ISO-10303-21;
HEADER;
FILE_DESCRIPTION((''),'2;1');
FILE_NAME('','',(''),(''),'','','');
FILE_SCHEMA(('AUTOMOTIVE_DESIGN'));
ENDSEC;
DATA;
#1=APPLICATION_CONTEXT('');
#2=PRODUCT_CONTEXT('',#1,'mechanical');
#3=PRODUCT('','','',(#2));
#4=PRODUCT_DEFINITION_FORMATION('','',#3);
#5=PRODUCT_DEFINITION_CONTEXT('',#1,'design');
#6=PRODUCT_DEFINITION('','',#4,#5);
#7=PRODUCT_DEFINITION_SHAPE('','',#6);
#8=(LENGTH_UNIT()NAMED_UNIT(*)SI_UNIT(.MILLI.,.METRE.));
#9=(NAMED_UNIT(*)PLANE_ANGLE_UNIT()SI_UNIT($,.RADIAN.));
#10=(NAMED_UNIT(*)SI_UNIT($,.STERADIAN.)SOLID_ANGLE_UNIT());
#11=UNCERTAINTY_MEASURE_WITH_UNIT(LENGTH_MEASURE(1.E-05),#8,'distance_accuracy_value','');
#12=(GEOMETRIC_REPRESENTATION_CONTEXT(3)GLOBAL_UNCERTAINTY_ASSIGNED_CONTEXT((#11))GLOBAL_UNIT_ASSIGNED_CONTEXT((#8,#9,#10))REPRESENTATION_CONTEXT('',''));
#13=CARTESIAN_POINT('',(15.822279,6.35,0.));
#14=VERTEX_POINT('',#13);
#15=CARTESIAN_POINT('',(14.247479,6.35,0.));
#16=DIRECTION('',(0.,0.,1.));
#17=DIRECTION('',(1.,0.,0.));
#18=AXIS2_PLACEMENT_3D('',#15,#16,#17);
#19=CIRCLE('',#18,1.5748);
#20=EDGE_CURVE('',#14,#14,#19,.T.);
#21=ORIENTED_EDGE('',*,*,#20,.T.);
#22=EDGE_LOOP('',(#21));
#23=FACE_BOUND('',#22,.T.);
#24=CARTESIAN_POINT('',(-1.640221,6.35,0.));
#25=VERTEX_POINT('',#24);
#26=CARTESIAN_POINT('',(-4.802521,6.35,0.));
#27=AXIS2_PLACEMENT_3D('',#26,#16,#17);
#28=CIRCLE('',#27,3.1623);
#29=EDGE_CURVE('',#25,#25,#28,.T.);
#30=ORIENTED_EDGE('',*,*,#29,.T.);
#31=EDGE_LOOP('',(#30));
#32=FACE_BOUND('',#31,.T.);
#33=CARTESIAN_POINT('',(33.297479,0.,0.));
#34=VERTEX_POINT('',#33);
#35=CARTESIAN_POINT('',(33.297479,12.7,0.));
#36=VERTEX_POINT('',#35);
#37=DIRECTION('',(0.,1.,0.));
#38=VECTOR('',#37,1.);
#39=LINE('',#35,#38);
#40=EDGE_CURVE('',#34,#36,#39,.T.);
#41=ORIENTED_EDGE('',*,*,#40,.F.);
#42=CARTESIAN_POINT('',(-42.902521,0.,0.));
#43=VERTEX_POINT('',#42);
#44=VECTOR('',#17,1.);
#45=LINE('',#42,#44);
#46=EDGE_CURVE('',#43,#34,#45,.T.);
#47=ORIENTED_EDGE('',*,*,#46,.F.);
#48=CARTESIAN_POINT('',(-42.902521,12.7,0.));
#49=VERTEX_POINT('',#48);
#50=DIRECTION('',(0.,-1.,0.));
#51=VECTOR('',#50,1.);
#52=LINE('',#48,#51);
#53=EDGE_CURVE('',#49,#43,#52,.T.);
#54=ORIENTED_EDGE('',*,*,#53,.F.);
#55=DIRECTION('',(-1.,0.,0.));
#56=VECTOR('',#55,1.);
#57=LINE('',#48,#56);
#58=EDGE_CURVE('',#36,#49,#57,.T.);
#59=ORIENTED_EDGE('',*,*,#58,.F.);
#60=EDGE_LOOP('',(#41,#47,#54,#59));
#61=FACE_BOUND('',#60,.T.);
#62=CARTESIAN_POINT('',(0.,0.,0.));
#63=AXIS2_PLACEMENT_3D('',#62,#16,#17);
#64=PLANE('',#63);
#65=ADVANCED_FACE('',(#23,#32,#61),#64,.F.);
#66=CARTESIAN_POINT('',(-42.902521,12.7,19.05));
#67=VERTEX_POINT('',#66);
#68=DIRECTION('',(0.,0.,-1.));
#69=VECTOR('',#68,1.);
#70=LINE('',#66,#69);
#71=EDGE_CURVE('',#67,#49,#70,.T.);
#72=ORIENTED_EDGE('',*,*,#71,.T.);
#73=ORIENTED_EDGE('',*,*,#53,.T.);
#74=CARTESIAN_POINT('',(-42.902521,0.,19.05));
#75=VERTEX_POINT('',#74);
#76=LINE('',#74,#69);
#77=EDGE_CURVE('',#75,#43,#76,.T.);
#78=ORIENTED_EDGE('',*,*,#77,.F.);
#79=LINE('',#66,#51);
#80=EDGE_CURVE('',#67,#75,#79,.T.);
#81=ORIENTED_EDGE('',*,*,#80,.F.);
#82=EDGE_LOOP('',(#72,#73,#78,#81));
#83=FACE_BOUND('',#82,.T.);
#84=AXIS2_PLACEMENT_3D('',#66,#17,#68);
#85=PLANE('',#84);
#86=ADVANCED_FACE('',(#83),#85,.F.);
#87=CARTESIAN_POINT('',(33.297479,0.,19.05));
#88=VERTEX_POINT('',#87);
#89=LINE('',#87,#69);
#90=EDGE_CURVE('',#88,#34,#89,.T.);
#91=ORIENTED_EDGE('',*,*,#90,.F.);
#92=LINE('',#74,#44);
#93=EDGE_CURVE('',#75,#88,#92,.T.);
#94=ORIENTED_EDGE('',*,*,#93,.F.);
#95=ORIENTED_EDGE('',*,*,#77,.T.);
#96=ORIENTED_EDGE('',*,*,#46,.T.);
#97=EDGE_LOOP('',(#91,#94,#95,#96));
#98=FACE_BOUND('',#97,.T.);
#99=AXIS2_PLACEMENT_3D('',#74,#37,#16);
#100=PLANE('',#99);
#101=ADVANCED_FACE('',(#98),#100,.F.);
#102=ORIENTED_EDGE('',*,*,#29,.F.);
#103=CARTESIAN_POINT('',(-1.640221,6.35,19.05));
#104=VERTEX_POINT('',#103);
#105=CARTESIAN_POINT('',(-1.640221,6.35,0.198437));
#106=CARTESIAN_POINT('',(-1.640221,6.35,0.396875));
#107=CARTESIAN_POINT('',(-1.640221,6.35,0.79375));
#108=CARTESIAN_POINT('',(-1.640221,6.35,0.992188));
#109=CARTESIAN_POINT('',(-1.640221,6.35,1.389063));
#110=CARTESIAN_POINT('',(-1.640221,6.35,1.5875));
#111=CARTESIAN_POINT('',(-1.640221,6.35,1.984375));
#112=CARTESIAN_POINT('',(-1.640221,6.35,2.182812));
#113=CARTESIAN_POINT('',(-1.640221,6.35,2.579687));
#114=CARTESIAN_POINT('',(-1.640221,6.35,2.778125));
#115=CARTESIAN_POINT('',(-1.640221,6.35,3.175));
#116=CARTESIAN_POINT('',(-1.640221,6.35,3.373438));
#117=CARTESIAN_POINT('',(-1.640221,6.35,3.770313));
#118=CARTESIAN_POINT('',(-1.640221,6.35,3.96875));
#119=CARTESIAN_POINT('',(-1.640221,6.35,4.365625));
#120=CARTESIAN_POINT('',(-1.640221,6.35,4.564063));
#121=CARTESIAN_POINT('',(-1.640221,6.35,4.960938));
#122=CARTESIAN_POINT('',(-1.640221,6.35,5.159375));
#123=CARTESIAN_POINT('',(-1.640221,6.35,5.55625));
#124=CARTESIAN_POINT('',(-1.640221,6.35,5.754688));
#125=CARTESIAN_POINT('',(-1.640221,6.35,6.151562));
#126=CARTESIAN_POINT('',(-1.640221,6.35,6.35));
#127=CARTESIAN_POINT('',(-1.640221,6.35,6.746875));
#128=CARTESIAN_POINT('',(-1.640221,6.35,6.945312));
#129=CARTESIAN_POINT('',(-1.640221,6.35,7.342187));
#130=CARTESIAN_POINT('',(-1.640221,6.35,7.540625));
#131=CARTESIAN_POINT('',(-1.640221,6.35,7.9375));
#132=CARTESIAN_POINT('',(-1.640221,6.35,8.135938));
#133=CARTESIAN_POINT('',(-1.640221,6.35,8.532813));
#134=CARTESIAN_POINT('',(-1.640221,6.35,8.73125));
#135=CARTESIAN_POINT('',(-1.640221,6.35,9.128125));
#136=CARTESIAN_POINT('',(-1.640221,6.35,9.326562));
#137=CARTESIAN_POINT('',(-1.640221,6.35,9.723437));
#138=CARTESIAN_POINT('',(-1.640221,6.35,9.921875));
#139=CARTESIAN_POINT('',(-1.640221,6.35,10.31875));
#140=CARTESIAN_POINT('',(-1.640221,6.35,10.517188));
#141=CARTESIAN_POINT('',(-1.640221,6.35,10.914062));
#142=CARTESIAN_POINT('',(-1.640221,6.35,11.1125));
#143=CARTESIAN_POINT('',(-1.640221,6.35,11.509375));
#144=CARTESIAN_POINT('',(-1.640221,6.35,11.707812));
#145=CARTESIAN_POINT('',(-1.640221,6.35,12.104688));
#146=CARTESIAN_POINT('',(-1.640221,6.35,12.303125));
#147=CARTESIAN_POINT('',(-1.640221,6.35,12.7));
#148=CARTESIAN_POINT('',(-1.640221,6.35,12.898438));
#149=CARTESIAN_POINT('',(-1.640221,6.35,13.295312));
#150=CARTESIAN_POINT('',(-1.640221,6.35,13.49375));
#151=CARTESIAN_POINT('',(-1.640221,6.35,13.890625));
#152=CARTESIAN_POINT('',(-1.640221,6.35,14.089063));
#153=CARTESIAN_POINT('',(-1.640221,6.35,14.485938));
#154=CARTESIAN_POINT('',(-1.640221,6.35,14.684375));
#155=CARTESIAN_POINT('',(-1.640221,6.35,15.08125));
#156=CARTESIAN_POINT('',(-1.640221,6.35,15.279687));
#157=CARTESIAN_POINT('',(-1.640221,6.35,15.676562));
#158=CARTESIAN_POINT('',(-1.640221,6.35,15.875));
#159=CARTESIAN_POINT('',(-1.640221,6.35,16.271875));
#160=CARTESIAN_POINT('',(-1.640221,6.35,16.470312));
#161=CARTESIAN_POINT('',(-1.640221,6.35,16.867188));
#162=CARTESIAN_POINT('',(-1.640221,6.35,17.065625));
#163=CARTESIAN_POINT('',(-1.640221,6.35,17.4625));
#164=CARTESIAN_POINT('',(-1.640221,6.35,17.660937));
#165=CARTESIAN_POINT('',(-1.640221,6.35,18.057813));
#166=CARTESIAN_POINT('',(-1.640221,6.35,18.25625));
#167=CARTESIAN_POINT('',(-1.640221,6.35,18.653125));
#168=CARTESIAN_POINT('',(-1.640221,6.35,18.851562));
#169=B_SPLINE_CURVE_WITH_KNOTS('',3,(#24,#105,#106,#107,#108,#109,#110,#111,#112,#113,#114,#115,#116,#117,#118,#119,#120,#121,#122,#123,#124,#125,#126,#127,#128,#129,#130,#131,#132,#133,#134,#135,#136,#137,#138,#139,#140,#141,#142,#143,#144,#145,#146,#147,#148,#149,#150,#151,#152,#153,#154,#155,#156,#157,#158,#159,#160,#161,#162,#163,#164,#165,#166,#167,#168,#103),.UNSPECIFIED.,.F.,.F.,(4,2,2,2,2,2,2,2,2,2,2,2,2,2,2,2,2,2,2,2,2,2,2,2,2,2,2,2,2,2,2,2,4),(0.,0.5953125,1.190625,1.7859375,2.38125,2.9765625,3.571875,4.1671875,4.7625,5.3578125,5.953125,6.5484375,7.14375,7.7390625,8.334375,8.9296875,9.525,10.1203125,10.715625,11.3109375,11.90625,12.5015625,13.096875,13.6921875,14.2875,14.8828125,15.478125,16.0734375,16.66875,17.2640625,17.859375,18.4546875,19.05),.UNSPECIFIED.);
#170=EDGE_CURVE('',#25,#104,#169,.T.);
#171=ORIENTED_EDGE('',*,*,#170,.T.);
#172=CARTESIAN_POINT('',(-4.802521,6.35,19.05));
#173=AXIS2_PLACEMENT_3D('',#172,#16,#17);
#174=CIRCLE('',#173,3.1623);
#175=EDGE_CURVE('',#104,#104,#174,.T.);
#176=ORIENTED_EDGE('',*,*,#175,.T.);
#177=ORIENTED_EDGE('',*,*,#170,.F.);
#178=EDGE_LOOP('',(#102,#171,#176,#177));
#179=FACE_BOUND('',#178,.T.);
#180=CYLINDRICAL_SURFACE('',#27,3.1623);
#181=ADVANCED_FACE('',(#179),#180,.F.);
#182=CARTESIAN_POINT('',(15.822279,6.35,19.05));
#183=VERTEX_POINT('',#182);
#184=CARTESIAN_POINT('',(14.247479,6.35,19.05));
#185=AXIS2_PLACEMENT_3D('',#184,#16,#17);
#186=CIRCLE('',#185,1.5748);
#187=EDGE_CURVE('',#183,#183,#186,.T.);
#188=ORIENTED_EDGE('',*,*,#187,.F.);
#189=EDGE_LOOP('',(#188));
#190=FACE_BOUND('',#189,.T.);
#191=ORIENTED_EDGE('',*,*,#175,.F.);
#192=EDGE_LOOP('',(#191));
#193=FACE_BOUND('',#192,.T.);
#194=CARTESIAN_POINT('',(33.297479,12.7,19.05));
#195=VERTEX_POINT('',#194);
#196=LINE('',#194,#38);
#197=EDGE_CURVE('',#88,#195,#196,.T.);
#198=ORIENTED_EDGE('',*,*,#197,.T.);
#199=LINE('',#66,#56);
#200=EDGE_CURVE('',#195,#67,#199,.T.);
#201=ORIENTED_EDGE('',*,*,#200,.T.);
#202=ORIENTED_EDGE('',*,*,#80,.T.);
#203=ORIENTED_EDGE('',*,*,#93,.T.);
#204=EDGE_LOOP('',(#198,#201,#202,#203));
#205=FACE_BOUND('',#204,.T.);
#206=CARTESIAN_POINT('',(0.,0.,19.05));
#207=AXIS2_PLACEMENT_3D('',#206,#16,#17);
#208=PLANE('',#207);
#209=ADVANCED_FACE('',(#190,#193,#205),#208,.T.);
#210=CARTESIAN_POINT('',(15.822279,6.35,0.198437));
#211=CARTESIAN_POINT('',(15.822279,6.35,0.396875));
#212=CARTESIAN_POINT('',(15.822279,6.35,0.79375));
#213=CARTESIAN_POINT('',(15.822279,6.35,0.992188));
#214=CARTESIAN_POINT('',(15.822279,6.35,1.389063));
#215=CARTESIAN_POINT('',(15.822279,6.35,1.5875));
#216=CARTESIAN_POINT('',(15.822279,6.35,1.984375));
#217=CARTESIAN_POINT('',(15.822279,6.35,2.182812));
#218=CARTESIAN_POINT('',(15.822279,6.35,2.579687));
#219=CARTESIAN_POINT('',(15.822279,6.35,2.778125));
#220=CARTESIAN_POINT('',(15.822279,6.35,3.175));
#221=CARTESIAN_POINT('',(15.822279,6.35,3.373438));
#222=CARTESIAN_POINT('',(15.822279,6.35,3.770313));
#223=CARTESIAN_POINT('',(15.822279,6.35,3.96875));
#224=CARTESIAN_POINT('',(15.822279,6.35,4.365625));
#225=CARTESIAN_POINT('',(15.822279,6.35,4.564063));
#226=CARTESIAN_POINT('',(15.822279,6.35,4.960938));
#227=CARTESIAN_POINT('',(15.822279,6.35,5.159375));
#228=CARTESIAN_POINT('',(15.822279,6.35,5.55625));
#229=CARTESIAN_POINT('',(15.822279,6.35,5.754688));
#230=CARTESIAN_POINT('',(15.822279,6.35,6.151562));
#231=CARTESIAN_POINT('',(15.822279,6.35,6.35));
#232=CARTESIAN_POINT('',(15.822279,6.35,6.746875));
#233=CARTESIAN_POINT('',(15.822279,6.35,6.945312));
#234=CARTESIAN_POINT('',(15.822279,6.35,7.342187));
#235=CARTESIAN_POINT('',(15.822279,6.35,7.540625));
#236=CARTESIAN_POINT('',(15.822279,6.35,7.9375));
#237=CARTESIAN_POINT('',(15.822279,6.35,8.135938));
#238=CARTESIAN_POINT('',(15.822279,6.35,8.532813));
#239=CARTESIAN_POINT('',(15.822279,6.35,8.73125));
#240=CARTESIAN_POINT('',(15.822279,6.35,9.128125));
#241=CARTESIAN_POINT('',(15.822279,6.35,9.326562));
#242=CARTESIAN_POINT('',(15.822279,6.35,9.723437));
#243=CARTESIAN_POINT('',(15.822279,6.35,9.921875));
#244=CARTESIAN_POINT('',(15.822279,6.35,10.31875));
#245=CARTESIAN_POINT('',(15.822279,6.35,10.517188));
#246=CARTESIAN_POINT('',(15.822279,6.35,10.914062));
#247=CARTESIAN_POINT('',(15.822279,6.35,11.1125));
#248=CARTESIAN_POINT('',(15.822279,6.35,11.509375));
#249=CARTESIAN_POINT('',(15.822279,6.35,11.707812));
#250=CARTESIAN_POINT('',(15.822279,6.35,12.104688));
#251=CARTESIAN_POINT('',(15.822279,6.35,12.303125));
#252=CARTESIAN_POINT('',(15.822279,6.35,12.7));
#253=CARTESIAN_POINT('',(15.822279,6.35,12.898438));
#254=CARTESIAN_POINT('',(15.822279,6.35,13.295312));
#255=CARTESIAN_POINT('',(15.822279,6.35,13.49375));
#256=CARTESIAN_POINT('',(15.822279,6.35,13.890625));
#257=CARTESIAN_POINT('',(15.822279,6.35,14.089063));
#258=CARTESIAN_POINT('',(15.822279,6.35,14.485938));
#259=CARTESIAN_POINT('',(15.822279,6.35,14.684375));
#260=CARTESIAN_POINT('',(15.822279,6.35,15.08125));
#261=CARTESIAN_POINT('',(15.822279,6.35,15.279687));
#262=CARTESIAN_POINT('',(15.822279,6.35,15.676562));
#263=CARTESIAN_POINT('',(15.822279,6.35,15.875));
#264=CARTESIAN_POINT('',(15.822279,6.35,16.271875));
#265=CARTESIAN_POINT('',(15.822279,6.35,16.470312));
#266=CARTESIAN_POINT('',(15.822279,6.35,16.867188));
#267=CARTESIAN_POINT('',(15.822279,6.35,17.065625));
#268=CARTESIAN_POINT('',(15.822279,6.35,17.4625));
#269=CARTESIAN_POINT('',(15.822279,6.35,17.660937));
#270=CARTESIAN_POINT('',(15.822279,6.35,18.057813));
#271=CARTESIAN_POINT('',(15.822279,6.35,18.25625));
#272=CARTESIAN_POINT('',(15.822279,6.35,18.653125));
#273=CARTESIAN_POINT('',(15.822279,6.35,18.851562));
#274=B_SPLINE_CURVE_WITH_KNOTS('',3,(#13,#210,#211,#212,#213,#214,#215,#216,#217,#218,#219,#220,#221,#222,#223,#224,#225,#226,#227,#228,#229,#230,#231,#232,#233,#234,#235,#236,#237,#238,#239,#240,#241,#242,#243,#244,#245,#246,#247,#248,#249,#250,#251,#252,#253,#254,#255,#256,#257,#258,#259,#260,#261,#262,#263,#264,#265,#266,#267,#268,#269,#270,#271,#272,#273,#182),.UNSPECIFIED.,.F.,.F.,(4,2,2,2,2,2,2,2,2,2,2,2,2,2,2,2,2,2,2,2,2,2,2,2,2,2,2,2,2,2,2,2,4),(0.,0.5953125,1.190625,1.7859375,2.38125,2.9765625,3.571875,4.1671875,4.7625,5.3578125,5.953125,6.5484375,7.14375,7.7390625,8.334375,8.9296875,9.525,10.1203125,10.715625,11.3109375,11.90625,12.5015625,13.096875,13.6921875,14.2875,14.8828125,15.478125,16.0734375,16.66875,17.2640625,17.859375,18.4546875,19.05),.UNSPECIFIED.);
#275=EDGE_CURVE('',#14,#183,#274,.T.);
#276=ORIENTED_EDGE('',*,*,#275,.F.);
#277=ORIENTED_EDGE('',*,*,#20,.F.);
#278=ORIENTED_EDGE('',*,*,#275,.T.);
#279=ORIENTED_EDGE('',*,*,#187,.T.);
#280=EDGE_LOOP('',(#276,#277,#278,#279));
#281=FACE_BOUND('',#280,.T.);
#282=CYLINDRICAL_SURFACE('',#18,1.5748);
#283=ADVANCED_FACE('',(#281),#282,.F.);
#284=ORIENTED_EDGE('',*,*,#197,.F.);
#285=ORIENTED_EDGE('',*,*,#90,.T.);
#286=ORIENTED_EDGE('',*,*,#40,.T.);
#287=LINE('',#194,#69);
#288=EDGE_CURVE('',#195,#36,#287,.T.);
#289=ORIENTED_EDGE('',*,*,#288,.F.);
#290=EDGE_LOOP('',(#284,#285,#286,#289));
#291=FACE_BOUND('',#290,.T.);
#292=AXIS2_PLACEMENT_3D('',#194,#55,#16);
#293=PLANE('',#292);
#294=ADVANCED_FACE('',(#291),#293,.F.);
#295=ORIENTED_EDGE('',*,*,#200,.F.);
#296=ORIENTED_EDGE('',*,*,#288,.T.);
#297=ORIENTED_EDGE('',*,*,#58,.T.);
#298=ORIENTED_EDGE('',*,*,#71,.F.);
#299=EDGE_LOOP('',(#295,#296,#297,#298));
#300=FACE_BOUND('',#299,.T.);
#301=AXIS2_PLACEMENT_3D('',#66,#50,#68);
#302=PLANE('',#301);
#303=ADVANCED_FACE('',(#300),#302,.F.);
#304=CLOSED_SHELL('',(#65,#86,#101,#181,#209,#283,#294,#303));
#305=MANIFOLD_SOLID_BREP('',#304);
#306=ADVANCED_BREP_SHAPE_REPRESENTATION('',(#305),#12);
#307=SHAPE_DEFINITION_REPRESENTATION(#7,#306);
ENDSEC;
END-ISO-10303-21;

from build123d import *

# Parameters (mm, degrees)
SKETCH1_W           = 76.2
SKETCH1_H           = 12.7
BOSS_EXTRUDE1_DEPTH = 19.05
SKETCH2_R           = 3.1623
SKETCH2_R_2         = 1.5748
CUT_EXTRUDE1_DEPTH  = 19.05


with BuildPart() as part:
    # Sketch1 → Boss-Extrude1 (new body)
    with BuildSketch(Plane.XY):
        with Locations((-4.802521008, 6.35)):
            Rectangle(SKETCH1_W, SKETCH1_H)
    extrude(amount=BOSS_EXTRUDE1_DEPTH)

    # Sketch2 → Cut-Extrude1 (cut)
    with BuildSketch(Plane.XY.offset(19.05)):
        with Locations((-4.802521008, 6.35)):
            Circle(SKETCH2_R)
        with Locations((14.247478992, 6.35)):
            Circle(SKETCH2_R_2)
    extrude(amount=-CUT_EXTRUDE1_DEPTH, mode=Mode.SUBTRACT)


solid = part.part
